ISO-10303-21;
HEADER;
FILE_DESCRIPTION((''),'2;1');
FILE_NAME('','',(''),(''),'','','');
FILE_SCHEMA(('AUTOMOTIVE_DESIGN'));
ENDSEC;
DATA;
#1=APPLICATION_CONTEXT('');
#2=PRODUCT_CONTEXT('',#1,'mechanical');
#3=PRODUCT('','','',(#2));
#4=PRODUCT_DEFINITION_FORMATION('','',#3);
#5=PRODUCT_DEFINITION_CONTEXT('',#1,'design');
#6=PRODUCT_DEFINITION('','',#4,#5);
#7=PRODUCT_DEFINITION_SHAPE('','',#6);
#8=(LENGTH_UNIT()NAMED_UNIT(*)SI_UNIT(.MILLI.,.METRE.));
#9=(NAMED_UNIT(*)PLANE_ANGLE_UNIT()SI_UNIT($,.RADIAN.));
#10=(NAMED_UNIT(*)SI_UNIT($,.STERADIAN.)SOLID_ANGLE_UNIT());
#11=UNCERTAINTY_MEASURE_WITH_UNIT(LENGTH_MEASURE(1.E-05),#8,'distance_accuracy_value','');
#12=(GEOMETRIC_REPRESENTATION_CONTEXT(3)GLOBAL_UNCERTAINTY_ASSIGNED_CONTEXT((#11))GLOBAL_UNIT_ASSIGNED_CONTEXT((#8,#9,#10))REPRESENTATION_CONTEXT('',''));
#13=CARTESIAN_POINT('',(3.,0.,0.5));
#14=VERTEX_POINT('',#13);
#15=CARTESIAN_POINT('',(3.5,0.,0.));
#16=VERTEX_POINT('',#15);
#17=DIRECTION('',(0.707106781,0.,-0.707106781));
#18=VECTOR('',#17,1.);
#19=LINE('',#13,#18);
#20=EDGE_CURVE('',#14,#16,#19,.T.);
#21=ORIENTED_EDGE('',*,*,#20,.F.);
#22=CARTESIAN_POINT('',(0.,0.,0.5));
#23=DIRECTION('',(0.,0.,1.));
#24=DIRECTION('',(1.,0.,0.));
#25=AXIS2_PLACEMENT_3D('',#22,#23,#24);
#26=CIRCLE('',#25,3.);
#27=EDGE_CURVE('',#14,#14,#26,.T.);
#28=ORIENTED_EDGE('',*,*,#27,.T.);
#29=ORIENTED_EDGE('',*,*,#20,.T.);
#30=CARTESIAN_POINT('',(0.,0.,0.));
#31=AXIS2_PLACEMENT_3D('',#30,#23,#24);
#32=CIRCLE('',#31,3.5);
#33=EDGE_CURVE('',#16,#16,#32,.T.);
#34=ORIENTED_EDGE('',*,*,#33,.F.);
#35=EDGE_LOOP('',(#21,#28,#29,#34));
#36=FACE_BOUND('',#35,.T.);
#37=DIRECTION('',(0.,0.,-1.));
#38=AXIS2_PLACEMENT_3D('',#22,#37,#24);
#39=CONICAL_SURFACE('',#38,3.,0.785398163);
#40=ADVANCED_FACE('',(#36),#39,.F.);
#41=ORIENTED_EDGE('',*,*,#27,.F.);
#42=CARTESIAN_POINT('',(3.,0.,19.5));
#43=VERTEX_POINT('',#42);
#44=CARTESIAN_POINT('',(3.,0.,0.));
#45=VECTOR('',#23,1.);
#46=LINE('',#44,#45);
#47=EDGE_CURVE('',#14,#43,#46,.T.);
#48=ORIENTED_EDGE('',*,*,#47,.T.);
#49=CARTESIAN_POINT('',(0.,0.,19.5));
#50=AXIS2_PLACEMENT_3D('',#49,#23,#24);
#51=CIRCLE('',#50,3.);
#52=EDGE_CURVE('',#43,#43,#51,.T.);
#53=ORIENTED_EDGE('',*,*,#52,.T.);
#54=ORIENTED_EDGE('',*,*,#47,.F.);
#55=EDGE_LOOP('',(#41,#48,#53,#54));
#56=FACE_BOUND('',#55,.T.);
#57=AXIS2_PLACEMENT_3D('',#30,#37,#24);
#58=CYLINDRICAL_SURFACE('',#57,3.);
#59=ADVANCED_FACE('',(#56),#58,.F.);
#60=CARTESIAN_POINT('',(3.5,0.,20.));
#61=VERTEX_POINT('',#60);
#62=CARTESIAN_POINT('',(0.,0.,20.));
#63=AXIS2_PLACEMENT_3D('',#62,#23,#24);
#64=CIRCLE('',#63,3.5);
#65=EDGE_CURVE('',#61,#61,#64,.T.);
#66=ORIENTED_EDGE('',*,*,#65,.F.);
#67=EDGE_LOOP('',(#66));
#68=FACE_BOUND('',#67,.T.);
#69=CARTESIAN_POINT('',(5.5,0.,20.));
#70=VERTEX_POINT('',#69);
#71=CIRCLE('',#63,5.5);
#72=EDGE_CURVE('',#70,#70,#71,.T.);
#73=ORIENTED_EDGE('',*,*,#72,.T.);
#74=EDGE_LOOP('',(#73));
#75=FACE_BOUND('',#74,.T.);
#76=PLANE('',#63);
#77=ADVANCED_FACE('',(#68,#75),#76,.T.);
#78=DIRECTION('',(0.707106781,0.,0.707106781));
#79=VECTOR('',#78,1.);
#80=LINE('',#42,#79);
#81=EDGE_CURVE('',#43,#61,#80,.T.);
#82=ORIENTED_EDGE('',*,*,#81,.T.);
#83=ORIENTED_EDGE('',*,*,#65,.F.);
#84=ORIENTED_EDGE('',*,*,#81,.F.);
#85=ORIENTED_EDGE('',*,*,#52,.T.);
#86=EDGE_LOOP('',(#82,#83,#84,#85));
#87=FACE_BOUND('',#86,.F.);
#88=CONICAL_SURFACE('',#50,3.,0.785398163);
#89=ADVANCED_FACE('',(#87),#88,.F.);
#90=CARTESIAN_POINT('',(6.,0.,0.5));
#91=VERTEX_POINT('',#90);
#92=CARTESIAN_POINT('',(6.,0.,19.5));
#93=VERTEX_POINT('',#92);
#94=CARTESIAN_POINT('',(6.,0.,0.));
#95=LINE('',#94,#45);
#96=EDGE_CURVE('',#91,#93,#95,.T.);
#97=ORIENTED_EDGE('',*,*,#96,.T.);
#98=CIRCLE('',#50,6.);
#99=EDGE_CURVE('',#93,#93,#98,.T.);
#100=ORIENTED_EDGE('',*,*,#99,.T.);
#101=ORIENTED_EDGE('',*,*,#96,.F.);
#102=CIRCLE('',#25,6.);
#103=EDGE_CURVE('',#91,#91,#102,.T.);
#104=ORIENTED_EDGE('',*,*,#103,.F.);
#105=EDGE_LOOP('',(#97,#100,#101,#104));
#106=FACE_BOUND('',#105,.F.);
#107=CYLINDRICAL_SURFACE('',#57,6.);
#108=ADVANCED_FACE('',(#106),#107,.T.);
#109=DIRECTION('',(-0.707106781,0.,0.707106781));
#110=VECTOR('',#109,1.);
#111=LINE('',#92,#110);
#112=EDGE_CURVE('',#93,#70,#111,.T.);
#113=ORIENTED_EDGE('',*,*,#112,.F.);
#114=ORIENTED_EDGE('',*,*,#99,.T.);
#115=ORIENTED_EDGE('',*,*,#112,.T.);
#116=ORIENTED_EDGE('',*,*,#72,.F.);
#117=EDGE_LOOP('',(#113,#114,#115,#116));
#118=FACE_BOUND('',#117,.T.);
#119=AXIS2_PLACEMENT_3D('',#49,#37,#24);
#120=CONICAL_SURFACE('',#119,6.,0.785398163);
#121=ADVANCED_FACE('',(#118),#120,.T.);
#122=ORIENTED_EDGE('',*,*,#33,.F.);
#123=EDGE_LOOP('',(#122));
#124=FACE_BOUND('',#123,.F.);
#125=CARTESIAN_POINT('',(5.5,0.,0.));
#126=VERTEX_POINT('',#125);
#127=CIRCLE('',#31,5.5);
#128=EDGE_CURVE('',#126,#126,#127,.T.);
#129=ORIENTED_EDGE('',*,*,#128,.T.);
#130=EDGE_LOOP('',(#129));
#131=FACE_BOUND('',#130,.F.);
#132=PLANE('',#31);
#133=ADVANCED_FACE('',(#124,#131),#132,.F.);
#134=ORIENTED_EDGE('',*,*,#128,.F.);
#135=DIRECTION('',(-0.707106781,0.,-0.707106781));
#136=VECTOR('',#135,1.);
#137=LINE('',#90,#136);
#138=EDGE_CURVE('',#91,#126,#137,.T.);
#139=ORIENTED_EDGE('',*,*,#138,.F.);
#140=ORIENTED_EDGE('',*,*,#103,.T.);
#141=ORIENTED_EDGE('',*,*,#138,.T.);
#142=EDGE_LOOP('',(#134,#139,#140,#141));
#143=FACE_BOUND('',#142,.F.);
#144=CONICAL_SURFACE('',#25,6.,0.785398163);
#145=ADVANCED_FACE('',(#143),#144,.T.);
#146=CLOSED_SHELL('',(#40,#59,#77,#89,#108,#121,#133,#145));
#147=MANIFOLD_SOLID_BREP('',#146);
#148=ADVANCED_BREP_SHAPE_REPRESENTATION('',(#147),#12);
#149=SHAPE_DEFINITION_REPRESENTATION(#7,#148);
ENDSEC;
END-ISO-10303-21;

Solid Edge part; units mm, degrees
sketch "Sketch1" plane through (0, 0, 0) normal (0, 0, 1) x (1, 0, 0)
  circle A0 centre (0, 0) radius 3
  circle A1 centre (0, 0) radius 6
extrude "Protrusion1" add sketch "Sketch1" along normal blind 20
chamfer "Chamfer_1" distance 0.5 angle 45 4 edges at (-3, 0, 20) (-6, 0, 20) (-6, 0, 0) (-3, 0, 0)
